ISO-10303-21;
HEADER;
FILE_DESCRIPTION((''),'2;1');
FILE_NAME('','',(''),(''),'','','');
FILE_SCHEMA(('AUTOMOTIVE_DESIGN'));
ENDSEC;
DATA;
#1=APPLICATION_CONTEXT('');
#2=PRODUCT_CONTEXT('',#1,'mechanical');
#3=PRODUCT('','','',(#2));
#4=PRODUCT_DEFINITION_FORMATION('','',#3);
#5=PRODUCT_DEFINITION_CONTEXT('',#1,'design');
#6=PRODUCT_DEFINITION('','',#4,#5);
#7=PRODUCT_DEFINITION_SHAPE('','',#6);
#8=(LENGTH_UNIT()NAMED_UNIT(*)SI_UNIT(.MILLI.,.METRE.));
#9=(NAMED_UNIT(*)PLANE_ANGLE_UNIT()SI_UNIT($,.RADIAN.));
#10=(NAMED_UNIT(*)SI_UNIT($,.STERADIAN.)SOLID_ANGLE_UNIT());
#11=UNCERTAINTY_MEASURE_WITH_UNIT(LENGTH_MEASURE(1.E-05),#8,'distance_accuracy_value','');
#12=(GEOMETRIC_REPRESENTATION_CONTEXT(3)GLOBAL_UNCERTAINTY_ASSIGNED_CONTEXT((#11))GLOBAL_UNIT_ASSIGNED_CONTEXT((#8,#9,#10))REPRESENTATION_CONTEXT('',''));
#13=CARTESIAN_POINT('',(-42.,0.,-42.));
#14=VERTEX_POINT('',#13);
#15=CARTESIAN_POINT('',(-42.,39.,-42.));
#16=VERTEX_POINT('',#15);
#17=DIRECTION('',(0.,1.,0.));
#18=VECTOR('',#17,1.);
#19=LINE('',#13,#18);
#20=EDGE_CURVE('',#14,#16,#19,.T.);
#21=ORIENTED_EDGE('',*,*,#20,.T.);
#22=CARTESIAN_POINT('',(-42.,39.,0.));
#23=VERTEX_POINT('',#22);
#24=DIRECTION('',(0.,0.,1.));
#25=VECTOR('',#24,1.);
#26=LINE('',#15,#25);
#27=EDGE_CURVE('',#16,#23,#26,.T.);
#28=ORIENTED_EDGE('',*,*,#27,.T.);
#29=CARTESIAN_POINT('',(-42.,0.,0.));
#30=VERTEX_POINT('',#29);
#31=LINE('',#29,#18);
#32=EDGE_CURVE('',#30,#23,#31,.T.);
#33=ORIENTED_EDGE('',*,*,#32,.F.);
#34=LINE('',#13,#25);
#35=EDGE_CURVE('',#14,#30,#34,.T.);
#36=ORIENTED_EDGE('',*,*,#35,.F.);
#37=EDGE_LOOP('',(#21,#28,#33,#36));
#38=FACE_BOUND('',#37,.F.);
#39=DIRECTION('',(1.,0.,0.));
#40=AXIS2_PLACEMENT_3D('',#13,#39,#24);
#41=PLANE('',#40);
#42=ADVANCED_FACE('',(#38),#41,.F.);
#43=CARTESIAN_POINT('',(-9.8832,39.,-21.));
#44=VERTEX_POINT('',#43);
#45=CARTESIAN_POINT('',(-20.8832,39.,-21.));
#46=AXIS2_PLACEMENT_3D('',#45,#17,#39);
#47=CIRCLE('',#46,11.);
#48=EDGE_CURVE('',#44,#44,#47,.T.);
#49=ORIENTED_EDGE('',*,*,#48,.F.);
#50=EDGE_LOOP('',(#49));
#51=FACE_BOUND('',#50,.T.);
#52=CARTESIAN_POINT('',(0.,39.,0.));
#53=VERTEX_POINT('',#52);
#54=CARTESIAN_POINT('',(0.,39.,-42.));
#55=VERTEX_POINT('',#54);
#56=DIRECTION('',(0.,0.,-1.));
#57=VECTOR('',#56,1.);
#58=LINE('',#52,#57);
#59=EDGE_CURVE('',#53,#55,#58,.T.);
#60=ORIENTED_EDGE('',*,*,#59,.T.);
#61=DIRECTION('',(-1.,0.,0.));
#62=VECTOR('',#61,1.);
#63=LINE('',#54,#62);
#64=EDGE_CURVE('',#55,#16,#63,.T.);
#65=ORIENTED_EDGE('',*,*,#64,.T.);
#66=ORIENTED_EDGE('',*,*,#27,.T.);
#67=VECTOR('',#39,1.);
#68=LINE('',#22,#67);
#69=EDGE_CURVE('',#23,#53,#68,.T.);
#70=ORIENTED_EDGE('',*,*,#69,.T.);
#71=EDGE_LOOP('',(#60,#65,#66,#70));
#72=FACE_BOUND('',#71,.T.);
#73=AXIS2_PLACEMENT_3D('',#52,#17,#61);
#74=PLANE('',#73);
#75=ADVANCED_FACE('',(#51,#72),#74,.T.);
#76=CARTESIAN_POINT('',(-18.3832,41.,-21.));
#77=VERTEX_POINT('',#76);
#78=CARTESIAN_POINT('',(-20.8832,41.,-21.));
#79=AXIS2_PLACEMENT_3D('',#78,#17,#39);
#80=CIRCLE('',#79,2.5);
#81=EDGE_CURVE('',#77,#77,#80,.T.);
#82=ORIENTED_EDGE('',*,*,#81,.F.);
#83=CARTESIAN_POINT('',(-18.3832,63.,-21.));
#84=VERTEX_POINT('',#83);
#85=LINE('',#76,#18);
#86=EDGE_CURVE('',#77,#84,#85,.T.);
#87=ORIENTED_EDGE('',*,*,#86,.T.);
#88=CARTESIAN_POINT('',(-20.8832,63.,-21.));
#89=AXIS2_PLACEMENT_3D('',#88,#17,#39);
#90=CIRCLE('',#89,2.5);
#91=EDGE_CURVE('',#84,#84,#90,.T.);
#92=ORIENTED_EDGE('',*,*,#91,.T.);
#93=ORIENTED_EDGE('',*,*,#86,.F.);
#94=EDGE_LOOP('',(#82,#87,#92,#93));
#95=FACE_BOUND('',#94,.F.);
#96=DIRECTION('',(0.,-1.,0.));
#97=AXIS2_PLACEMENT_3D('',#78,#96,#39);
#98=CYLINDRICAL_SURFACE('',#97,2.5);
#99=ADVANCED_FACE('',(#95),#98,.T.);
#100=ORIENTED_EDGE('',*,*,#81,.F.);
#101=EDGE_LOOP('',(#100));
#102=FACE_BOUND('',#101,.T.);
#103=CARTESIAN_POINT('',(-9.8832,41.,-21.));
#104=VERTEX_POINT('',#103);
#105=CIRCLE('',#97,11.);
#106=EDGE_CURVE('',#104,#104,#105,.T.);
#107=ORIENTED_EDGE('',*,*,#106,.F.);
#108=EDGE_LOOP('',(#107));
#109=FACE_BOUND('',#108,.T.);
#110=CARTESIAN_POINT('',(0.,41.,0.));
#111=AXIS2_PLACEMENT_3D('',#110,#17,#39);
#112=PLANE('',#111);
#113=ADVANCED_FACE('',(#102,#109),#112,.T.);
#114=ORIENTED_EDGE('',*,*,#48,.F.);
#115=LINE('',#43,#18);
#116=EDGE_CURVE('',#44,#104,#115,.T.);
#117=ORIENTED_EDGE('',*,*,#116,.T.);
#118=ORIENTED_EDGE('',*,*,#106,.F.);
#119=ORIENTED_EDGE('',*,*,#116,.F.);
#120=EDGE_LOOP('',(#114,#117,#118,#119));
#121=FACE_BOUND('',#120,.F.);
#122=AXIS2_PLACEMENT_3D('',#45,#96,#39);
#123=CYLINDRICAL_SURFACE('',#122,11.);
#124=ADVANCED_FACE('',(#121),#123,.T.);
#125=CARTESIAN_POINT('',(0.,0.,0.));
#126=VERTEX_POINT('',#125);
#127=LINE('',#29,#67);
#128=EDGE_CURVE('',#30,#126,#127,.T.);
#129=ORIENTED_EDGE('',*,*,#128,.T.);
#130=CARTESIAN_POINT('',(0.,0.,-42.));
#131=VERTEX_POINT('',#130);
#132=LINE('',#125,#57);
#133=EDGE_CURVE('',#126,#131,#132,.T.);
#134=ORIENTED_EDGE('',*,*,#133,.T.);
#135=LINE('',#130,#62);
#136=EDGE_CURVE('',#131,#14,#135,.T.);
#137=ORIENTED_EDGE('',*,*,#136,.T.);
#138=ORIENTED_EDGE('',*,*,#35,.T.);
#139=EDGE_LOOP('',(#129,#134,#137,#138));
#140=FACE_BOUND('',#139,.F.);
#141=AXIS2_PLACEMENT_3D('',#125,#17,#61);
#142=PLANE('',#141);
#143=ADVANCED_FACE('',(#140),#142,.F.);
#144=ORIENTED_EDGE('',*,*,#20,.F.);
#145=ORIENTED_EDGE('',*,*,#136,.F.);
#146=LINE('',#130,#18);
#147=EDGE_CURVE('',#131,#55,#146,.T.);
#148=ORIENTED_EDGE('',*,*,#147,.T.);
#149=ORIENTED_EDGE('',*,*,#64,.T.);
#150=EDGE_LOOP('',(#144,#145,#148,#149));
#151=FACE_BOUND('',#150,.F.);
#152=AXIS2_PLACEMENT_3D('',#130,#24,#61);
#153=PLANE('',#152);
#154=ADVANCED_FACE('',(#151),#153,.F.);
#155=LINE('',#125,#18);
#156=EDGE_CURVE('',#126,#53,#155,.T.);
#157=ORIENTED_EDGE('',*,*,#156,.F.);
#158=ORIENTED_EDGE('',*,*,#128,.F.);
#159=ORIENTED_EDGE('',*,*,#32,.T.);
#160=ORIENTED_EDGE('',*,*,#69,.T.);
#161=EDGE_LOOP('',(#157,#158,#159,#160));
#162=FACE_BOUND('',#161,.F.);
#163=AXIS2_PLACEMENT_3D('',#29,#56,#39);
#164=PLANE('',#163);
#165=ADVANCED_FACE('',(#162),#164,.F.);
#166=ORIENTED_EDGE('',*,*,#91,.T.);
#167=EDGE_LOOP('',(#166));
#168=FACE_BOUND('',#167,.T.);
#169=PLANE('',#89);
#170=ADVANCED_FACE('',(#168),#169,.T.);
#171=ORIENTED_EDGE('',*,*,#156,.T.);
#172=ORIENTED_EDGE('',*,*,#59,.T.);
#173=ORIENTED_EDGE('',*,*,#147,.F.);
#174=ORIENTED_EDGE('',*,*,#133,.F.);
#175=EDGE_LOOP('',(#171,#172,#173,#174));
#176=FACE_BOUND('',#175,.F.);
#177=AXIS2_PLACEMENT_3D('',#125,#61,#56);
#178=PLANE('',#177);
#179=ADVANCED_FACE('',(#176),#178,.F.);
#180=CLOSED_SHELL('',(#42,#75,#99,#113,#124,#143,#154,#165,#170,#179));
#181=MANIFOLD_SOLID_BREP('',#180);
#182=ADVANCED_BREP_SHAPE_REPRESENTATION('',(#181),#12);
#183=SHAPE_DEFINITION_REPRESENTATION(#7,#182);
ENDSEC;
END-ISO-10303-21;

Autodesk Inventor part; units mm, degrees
ref_plane "YZ Plane" through (0, 0, 0) normal (1, 0, 0) x (0, 1, 0)
ref_plane "XZ Plane" through (0, 0, 0) normal (0, 1, 0) x (-1, 0, 0)
ref_plane "XY Plane" through (0, 0, 0) normal (0, 0, 1) x (1, 0, 0)
sketch "Sketch1" plane through (0, 0, 0) normal (0, 1, 0) x (-1, 0, 0)
  line L0 (0, 0) -> (0, -42)
  line L1 (0, -42) -> (42, -42)
  line L2 (42, -42) -> (42, 0)
  line L3 (42, 0) -> (0, 0)
  line L4 (0, 0) -> (42, 0)
  dimension "d0" = 42
  dimension "d1" = 42
extrude "Extrusion1" add sketch "Sketch1" along normal blind 39
sketch "Sketch2" plane through (0, 39, 0) normal (0, 1, 0) x (1, 0, 0)
  line L0 (0, 0) -> (0, 42) projected
  line L1 (-41.7664, 0) -> (0, 42)
  circle A0 centre (-20.8832, 21) radius 11
  dimension "d4" = 22
extrude "Extrusion2" add sketch "Sketch2" along normal blind 2
sketch "Sketch3" plane through (-20.8832, 41, -21) normal (0, 1, 0) x (1, 0, 0)
  circle A0 centre (0, 0) radius 2.5
  point P0 (20.8832, -21)
  dimension "d7" = 5
extrude "Extrusion3" add sketch "Sketch3" along normal blind 22
properties part number "motor"
